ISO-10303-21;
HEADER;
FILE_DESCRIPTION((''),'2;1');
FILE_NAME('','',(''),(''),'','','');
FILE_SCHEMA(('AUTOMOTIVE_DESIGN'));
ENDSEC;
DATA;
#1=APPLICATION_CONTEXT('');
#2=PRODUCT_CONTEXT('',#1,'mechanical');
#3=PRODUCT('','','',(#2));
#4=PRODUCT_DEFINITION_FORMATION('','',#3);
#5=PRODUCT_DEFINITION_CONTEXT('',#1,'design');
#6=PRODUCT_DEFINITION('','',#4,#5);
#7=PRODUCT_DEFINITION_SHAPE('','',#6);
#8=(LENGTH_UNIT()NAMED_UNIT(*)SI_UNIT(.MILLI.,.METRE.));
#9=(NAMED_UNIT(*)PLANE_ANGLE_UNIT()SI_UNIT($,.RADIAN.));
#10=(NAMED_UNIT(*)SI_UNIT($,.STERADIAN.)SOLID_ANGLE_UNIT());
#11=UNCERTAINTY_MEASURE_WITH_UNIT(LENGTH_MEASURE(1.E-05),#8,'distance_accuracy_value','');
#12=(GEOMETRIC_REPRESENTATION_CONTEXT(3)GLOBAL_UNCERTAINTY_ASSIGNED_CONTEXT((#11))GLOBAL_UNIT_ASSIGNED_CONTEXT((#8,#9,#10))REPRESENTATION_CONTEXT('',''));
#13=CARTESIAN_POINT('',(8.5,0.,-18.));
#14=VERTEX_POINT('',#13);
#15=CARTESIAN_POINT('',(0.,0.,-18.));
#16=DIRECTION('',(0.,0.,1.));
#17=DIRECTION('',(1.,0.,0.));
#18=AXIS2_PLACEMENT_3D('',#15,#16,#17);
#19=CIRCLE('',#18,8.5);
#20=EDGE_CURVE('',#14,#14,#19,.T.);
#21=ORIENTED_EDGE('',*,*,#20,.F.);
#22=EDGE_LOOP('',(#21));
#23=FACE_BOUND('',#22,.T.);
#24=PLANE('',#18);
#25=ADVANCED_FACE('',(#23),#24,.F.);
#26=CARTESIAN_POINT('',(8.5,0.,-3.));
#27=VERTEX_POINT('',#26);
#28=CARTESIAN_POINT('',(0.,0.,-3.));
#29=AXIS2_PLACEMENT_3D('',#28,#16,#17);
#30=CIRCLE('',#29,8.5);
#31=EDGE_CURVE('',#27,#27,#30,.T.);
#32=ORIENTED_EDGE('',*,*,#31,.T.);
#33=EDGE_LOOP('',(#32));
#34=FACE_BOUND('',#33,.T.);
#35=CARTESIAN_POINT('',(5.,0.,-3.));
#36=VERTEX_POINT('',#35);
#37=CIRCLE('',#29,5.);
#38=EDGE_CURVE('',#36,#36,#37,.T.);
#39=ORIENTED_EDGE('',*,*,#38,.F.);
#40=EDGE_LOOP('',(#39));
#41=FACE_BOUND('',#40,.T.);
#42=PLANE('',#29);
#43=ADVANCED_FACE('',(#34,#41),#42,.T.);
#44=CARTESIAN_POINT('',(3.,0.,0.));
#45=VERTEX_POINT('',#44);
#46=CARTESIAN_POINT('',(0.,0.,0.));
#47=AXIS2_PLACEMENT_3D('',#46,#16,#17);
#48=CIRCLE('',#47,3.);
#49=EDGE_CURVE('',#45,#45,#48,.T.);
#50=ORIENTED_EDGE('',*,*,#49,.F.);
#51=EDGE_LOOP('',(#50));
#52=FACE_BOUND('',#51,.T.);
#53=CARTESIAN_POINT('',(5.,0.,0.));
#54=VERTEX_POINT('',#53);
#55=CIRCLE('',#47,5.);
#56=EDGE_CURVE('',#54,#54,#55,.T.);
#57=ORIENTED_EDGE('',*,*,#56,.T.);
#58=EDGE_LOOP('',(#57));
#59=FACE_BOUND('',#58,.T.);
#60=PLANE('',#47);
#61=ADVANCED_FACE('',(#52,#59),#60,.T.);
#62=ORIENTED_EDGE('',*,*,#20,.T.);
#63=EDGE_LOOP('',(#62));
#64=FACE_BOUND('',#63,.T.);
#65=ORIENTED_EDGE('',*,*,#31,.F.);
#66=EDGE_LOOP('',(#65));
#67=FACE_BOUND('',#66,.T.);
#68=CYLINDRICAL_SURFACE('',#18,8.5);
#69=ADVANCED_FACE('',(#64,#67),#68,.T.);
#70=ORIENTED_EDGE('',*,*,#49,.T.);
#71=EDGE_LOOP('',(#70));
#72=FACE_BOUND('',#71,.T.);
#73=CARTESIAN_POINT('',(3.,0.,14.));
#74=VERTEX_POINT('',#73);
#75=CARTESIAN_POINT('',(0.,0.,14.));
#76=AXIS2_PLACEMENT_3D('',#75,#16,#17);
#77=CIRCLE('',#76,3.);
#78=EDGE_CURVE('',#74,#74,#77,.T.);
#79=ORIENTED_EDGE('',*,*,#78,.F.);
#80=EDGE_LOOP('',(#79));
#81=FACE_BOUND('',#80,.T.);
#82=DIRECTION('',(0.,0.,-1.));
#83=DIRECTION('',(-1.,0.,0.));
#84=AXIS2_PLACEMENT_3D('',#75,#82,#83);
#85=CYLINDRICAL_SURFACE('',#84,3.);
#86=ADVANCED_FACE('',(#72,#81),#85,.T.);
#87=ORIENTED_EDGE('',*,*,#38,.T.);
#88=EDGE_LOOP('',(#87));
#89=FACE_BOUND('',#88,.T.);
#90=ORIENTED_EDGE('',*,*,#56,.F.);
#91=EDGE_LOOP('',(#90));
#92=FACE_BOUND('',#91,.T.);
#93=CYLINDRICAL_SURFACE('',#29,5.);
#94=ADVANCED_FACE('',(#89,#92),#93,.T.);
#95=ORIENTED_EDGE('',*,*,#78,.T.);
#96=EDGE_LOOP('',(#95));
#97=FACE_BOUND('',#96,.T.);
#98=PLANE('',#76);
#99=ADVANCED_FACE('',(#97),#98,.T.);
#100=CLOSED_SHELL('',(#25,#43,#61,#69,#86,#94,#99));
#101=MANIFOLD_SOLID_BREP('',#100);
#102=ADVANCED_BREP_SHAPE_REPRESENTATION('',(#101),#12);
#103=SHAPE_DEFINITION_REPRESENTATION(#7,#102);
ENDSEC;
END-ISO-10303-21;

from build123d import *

# Parameters (mm, degrees)
SKETCH_1_R      = 3
EXTRUDE_1_DEPTH = 14
SKETCH_1_3_R    = 5
EXTRUDE_2_DEPTH = 3
EXTRUDE_START   = -3
SKETCH_1_4_R    = 8.5
EXTRUDE_3_DEPTH = 15


with BuildPart() as part:
    # 스케치1 → 보스-돌출1 (new body)
    with BuildSketch(Plane.XY):
        Circle(SKETCH_1_R)
    extrude(amount=EXTRUDE_1_DEPTH)

    # 스케치1<3> → 보스-돌출2 (add)
    with BuildSketch(Plane.XY):
        Circle(SKETCH_1_3_R)
    extrude(amount=-EXTRUDE_2_DEPTH)

    # 스케치1<4> → 보스-돌출3 (add)
    with BuildSketch(Plane.XY.offset(EXTRUDE_START)):
        Circle(SKETCH_1_4_R)
    extrude(amount=-EXTRUDE_3_DEPTH)


solid = part.part
